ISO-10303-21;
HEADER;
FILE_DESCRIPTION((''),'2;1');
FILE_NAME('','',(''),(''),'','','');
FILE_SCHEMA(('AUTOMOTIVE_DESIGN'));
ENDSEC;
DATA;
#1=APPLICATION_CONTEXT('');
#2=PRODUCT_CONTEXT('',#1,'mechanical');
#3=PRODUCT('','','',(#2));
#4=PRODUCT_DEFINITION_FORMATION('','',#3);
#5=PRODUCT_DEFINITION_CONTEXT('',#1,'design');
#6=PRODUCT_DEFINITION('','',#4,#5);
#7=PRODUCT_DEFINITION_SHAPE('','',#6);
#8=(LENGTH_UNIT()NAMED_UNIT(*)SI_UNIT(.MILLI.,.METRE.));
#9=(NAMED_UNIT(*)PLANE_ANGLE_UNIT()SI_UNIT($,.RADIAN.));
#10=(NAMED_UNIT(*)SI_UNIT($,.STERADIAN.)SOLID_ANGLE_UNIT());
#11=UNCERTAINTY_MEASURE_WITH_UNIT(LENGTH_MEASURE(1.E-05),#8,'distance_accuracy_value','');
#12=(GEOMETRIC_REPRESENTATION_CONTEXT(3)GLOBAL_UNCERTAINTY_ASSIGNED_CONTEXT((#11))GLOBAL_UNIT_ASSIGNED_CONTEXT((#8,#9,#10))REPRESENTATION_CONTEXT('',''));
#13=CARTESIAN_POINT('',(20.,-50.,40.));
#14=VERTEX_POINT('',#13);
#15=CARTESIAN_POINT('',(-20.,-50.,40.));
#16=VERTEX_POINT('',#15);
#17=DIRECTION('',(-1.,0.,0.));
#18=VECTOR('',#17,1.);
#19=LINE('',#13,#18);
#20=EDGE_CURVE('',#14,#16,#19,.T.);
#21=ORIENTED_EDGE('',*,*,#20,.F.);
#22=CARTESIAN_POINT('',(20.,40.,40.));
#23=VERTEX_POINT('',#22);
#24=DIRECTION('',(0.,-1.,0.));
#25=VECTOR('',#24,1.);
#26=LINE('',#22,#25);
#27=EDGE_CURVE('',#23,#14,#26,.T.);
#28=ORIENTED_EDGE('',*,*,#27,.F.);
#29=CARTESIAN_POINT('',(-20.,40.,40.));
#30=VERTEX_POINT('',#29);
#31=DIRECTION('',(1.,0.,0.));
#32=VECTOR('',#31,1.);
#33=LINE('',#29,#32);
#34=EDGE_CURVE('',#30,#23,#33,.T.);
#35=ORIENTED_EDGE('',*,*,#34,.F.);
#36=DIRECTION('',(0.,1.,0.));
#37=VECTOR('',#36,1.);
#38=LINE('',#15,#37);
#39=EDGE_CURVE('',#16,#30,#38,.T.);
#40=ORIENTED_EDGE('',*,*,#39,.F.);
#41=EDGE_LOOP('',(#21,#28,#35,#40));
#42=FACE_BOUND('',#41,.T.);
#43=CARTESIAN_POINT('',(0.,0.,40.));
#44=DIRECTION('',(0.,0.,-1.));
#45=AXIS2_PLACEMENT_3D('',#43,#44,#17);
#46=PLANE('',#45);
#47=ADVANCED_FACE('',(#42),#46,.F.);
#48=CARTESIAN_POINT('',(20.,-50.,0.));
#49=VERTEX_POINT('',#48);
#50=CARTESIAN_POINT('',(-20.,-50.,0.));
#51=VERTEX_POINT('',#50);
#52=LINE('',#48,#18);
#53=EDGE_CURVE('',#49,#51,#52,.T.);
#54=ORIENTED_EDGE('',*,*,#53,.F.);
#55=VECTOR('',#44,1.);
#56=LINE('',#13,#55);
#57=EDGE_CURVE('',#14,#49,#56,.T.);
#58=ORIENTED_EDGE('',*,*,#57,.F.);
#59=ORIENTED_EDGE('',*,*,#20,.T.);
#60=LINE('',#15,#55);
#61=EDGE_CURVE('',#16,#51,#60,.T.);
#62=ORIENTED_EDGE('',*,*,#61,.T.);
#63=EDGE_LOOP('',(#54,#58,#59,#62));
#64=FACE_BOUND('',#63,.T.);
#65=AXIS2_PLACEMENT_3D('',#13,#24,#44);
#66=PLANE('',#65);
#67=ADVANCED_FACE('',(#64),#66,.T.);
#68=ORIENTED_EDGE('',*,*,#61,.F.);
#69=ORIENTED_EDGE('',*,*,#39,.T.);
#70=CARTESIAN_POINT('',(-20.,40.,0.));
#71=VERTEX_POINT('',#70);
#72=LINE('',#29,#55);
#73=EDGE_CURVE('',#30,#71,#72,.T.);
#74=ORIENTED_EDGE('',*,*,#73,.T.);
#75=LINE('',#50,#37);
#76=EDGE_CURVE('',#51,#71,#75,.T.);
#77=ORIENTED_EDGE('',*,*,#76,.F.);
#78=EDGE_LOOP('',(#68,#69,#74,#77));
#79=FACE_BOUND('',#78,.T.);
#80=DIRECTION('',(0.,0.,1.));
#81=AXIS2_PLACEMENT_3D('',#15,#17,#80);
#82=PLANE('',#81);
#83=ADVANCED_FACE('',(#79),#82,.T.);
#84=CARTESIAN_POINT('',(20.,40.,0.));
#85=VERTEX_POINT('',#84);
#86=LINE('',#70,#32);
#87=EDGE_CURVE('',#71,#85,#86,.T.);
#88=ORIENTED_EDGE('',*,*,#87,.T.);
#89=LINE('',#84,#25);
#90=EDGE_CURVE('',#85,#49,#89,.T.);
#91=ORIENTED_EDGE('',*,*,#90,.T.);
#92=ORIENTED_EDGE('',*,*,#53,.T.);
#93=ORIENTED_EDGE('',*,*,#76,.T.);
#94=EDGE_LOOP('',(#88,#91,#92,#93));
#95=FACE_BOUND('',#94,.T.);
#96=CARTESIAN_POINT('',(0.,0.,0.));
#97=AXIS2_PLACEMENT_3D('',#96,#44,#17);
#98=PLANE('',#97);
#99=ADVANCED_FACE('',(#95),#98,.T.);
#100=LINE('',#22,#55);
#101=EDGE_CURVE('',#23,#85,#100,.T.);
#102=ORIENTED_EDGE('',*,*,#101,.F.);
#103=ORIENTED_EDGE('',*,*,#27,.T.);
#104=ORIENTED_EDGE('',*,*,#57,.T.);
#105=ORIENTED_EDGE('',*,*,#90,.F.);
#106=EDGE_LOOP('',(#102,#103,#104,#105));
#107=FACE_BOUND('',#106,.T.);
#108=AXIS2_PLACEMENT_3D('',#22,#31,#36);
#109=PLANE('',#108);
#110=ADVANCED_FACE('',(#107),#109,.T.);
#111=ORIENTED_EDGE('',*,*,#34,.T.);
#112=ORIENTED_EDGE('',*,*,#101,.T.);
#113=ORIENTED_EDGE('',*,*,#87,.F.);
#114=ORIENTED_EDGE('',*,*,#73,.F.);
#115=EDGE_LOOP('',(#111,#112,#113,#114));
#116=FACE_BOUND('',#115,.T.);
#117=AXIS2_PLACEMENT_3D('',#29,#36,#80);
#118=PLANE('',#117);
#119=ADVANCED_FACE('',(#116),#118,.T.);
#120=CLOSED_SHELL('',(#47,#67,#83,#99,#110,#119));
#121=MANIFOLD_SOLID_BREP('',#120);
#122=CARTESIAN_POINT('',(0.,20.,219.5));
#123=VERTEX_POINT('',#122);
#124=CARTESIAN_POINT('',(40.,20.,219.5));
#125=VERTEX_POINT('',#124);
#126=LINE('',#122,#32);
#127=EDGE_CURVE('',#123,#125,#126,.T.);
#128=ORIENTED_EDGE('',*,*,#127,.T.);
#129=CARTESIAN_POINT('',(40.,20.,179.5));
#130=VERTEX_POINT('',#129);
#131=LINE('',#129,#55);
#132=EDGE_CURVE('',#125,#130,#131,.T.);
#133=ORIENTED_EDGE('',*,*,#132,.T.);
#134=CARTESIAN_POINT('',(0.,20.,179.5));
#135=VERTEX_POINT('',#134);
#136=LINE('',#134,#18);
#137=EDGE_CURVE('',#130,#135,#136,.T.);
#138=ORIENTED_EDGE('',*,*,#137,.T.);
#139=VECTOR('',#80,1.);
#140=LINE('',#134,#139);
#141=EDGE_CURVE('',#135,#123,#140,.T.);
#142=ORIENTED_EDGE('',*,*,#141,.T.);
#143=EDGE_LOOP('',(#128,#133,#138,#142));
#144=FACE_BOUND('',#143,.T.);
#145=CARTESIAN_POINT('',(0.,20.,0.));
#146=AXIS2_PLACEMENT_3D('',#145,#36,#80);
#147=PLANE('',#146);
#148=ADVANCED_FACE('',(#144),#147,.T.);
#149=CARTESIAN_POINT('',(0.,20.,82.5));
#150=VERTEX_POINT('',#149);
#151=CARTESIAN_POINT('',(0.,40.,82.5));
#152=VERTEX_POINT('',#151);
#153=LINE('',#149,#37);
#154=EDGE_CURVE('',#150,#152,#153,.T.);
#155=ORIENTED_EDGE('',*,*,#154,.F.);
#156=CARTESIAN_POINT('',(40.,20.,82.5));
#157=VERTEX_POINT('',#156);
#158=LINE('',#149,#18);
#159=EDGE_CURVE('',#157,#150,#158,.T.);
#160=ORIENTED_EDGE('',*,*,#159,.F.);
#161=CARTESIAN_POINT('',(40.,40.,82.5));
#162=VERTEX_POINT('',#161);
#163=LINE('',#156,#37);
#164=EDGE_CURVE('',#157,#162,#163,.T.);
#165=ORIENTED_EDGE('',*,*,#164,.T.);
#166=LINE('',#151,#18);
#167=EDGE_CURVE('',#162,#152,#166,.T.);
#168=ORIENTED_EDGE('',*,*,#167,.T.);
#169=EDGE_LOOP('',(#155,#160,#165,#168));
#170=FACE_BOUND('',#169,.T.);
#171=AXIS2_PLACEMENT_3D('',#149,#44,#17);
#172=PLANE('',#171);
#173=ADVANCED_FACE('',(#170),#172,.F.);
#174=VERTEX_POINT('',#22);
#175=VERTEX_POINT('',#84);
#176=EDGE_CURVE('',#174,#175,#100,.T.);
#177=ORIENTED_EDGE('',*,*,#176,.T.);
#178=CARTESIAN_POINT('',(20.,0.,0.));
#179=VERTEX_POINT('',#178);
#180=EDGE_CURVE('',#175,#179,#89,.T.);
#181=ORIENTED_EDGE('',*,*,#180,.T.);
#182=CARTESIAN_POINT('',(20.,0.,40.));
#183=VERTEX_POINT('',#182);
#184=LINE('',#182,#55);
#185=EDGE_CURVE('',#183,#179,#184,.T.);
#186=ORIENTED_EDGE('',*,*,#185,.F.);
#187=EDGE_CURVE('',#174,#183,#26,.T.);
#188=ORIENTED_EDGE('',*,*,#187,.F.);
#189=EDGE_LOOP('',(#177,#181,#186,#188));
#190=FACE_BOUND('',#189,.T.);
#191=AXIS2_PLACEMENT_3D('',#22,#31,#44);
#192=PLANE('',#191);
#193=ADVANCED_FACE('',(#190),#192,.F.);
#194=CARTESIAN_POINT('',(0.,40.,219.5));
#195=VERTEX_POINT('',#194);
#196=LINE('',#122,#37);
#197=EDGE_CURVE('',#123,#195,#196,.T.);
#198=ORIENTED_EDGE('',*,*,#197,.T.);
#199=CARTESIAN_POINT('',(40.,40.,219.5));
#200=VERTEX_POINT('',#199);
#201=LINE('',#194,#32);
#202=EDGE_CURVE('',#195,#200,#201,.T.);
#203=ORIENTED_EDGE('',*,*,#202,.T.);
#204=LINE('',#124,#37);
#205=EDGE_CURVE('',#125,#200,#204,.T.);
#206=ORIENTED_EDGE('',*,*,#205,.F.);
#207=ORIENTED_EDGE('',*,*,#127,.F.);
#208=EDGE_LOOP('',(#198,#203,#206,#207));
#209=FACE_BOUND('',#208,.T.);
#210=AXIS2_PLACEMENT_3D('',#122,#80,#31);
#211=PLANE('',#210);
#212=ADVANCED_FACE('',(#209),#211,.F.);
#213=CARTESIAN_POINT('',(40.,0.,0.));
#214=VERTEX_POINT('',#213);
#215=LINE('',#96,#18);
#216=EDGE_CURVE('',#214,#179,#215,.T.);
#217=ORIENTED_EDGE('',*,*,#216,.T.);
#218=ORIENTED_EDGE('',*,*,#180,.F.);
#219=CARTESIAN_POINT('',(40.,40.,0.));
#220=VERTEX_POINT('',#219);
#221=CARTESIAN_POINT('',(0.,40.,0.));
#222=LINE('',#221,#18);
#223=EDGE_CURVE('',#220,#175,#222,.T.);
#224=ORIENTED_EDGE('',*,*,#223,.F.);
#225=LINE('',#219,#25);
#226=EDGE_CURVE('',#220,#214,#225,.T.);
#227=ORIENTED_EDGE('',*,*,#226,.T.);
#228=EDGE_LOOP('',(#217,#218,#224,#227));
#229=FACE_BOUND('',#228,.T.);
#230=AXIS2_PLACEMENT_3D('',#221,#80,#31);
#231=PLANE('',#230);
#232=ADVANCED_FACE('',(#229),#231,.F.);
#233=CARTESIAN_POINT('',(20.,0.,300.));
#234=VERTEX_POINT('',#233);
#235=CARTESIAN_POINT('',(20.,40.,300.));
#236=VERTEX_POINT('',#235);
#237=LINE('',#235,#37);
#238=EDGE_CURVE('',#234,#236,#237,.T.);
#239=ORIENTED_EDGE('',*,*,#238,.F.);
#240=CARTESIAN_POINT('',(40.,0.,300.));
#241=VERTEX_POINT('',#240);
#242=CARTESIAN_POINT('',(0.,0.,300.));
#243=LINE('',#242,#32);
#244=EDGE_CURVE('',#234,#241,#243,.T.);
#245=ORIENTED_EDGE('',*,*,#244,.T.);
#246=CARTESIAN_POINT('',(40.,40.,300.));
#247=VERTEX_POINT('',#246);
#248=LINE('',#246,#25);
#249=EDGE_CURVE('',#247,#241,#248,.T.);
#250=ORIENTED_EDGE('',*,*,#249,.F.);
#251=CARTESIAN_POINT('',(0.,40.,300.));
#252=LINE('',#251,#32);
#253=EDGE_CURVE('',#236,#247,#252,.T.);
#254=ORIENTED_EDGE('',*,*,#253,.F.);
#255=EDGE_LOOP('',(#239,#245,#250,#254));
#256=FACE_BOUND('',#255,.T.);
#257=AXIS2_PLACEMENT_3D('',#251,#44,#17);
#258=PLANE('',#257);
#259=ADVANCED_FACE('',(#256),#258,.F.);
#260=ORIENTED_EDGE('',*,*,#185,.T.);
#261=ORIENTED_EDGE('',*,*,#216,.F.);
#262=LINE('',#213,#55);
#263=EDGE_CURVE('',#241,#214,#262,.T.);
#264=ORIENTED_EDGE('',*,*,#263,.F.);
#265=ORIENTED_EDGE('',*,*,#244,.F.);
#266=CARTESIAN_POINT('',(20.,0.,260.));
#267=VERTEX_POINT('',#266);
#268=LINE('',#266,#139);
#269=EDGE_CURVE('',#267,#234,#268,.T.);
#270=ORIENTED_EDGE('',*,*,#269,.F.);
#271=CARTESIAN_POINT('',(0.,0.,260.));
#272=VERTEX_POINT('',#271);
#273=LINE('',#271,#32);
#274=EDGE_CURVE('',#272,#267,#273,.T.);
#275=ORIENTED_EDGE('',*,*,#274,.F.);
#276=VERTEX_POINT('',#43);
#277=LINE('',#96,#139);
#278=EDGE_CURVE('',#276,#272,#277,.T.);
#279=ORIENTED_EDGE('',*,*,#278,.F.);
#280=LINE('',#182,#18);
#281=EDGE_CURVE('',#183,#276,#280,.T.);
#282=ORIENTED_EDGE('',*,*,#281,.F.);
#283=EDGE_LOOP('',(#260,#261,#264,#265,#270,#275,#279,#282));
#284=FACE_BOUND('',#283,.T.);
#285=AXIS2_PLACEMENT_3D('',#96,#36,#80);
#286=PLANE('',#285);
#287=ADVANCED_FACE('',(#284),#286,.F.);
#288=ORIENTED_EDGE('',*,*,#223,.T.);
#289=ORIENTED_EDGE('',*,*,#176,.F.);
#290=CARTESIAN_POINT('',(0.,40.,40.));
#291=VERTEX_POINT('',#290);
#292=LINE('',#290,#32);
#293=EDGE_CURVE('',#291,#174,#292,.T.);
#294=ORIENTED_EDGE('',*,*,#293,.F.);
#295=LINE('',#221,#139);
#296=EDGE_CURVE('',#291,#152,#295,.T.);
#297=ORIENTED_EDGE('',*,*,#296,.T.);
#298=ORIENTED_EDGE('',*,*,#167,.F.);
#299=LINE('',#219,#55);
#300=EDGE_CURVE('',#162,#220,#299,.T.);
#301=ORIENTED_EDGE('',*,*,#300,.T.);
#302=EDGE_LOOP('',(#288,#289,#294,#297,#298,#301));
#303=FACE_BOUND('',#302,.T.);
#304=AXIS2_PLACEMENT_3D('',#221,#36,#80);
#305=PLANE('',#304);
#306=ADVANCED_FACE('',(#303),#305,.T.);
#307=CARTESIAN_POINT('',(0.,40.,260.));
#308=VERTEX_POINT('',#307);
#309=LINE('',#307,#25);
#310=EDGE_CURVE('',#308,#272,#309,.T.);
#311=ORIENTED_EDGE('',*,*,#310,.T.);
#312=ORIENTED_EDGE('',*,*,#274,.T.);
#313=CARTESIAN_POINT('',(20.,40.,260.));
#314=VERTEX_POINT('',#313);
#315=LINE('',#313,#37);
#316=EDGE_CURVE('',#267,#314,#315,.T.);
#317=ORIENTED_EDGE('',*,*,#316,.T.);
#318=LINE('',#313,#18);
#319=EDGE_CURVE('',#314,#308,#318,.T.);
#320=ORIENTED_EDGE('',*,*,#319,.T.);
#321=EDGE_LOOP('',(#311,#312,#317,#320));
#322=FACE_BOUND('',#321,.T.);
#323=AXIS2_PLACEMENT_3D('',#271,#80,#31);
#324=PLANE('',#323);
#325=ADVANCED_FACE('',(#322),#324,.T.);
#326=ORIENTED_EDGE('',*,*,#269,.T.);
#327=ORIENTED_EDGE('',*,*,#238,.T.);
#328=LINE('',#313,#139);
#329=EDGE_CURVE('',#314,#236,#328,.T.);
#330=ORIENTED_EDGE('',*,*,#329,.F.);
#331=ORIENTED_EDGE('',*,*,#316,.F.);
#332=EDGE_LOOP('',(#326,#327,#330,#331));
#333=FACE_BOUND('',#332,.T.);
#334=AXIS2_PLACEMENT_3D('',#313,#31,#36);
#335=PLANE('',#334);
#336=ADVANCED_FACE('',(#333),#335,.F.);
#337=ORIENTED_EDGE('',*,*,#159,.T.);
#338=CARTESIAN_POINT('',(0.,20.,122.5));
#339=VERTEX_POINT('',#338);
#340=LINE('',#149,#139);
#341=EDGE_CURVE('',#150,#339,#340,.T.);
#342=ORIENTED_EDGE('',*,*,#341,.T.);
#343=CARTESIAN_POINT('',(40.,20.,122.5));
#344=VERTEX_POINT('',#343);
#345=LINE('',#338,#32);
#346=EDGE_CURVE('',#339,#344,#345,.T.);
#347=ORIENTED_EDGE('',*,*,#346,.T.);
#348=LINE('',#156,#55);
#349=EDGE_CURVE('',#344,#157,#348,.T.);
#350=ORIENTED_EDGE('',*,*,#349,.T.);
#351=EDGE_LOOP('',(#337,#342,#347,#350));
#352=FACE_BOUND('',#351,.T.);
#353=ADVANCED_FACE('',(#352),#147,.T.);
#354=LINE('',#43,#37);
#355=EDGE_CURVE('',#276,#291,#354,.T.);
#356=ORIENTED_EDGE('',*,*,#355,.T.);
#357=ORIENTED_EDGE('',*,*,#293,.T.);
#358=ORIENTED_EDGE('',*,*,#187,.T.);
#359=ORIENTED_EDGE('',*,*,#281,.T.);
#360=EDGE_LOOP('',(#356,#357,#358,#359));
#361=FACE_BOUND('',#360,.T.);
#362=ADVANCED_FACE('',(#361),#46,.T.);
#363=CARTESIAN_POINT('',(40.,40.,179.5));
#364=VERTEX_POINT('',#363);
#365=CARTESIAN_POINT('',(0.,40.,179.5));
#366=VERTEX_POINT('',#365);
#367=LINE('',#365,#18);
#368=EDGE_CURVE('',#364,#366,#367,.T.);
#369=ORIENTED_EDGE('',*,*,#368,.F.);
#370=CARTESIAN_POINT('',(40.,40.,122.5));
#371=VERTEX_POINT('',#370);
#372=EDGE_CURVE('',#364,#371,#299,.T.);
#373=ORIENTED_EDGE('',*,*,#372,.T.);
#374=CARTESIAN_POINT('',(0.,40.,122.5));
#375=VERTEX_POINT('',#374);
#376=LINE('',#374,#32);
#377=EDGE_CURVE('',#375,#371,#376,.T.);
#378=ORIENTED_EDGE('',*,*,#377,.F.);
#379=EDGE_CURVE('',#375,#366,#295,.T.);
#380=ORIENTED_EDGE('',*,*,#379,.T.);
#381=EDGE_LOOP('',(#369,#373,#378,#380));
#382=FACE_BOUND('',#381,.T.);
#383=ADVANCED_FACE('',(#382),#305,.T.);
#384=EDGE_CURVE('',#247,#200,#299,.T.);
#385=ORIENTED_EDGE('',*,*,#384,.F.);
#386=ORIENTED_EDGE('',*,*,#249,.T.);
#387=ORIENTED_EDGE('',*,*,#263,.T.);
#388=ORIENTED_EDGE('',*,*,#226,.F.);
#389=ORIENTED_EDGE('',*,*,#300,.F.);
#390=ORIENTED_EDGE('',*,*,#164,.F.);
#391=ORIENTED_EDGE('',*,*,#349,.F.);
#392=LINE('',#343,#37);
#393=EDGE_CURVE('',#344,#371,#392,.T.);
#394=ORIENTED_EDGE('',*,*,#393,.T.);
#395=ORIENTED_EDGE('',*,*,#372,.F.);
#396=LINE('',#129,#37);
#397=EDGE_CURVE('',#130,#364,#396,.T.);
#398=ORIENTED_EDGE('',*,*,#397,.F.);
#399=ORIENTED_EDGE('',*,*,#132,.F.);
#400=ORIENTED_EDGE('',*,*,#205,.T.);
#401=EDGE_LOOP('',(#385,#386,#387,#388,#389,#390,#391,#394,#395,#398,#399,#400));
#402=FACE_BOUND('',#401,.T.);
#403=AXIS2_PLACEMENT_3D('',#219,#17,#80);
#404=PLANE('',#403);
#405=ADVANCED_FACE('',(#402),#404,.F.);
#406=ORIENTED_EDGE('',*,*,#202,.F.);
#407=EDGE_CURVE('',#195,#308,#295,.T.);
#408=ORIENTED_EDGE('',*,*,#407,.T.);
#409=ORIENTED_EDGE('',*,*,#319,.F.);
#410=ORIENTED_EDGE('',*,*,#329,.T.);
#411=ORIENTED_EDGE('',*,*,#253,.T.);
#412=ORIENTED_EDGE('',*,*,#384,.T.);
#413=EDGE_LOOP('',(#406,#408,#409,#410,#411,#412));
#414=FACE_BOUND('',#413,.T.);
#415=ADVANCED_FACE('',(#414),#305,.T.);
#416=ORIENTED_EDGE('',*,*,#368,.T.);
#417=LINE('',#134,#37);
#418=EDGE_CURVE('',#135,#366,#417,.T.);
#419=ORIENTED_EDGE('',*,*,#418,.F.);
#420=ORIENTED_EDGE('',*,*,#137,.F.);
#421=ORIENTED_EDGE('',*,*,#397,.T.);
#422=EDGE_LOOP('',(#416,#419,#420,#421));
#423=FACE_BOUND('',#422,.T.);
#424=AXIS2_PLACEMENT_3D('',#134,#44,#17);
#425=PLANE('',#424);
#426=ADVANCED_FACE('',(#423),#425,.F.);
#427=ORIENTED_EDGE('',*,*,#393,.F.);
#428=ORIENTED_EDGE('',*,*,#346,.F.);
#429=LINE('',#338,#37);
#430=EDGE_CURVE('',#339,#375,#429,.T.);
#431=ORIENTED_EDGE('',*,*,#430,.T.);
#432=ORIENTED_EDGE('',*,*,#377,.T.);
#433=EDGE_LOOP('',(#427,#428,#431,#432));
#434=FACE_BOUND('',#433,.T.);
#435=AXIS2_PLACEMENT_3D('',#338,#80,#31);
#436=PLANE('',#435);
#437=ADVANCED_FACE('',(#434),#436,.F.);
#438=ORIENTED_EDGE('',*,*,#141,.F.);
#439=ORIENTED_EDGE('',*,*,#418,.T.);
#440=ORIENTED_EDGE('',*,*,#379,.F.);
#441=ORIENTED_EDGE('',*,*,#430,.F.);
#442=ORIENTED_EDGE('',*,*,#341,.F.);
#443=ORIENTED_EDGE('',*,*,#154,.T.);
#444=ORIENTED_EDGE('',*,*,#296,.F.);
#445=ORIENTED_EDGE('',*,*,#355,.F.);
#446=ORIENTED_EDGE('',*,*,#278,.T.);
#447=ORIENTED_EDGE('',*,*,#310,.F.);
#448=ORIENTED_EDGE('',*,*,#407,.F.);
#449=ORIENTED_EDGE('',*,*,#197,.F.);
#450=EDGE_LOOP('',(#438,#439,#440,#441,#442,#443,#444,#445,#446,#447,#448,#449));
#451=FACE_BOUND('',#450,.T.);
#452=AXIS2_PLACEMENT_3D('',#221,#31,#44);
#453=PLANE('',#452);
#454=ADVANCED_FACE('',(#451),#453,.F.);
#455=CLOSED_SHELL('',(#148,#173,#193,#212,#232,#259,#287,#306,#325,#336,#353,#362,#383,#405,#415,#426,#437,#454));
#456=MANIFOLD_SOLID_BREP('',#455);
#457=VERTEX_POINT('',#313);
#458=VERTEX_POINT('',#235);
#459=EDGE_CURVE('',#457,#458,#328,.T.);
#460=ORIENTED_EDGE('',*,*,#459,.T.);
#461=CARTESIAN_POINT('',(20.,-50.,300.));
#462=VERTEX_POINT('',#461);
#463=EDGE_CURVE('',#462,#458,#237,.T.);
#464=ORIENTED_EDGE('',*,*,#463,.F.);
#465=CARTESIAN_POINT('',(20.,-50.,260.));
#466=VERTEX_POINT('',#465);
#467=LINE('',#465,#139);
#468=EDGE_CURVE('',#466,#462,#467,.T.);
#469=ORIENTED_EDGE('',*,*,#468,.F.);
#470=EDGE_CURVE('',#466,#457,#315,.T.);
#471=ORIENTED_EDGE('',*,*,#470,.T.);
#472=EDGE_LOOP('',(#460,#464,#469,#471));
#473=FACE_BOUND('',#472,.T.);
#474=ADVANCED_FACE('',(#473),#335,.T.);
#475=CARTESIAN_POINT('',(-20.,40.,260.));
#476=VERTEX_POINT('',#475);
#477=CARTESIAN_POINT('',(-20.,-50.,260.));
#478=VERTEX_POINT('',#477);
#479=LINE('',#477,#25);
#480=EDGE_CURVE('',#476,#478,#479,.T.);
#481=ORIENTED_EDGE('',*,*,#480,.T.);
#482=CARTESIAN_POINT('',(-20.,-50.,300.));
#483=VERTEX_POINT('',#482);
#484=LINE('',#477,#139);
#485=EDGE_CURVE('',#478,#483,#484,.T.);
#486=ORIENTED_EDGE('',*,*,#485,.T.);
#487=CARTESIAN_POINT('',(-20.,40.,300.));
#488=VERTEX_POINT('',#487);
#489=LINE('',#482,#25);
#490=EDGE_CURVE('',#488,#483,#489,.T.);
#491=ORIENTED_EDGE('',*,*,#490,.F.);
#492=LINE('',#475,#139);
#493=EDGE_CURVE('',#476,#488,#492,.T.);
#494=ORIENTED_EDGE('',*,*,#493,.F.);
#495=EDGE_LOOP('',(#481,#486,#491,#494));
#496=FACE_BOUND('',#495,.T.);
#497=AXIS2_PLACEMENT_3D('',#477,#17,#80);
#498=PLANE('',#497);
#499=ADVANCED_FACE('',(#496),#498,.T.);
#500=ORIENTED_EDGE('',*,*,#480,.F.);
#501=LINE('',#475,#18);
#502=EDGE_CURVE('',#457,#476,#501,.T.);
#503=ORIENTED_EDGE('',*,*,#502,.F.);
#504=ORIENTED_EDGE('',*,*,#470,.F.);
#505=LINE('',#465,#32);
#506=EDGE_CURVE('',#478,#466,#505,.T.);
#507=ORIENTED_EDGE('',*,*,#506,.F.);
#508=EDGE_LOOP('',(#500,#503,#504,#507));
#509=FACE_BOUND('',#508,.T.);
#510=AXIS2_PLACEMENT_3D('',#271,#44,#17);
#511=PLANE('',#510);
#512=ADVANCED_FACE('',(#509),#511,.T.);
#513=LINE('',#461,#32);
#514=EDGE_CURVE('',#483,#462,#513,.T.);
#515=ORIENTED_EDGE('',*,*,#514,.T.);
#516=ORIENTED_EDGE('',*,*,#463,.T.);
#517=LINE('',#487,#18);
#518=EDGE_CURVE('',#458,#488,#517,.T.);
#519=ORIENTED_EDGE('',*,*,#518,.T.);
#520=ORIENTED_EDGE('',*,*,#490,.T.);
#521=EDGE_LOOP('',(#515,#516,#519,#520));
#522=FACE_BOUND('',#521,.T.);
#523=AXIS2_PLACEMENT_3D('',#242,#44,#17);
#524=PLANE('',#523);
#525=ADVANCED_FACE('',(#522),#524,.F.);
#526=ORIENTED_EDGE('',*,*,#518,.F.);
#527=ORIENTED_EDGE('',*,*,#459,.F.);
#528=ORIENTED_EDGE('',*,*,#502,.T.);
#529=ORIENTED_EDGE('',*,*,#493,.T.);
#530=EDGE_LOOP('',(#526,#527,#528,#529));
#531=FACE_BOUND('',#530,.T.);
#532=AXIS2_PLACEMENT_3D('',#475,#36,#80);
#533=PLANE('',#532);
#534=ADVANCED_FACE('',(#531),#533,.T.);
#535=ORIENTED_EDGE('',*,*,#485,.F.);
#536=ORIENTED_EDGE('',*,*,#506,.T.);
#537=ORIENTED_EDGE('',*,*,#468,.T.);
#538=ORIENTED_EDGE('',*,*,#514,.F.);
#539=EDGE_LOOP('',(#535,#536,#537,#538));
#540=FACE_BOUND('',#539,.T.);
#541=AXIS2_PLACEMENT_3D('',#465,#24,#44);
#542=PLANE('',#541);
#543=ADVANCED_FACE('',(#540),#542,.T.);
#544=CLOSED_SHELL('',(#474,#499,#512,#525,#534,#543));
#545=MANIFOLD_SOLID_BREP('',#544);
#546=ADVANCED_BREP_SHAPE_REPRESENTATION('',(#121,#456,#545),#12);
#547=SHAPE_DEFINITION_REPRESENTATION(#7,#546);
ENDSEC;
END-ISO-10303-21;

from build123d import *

# Parameters (mm, degrees)
SKETCH1_W           = 40
SKETCH1_H           = 300
BOSS_EXTRUDE1_DEPTH = 40
SKETCH2_W           = 40
SKETCH2_H           = 40
CUT_EXTRUDE1_DEPTH  = 20
SKETCH7_W           = 20
SKETCH7_H           = 40
CUT_EXTRUDE4_DEPTH  = 40
SKETCH3_W           = 40
SKETCH3_H           = 90
BOSS_EXTRUDE2_DEPTH = 40
SKETCH6_W           = 20
SKETCH6_H           = 40
CUT_EXTRUDE3_DEPTH  = 40
SKETCH4_W           = 40
SKETCH4_H           = 90
BOSS_EXTRUDE3_DEPTH = 40


with BuildPart() as part:
    # Sketch1 → Boss-Extrude1 (new body)
    with BuildSketch(Plane(origin=(0, 0, 0), x_dir=(1, 0, 0), z_dir=(0, 1, 0))):
        with Locations((20, -150)):
            Rectangle(SKETCH1_W, SKETCH1_H)
    extrude(amount=BOSS_EXTRUDE1_DEPTH)

    # Sketch2 → Cut-Extrude1 (cut)
    with BuildSketch(Plane(origin=(0, 40, 0), x_dir=(1, 0, 0), z_dir=(0, 1, 0))):
        with Locations((20, -102.5)):
            Rectangle(SKETCH2_W, SKETCH2_H)
        with Locations((20, -199.5)):
            Rectangle(SKETCH2_W, SKETCH2_H)
    extrude(amount=-CUT_EXTRUDE1_DEPTH, mode=Mode.SUBTRACT)

    # Sketch7 → Cut-Extrude4 (cut)
    with BuildSketch(Plane.XY.offset(300)):
        with Locations((10, 20)):
            Rectangle(SKETCH7_W, SKETCH7_H)
    extrude(amount=-CUT_EXTRUDE4_DEPTH, mode=Mode.SUBTRACT)

    # Sketch6 → Cut-Extrude3 (cut)
    with BuildSketch(Plane(origin=(0, 0, 0), x_dir=(-1, 0, 0), z_dir=(0, 0, -1))):
        with Locations((-10, 20)):
            Rectangle(SKETCH6_W, SKETCH6_H)
    extrude(amount=-CUT_EXTRUDE3_DEPTH, mode=Mode.SUBTRACT)


with BuildPart() as body_2:
    # Sketch3 → Boss-Extrude2 (new body)
    with BuildSketch(Plane.XY.offset(300)):
        with Locations((0, -5)):
            Rectangle(SKETCH3_W, SKETCH3_H)
    extrude(amount=-BOSS_EXTRUDE2_DEPTH)


with BuildPart() as body_3:
    # Sketch4 → Boss-Extrude3 (new body)
    with BuildSketch(Plane(origin=(0, 0, 0), x_dir=(-1, 0, 0), z_dir=(0, 0, -1))):
        with Locations((0, -5)):
            Rectangle(SKETCH4_W, SKETCH4_H)
    extrude(amount=-BOSS_EXTRUDE3_DEPTH)


solid = Compound([part.part, body_2.part, body_3.part])
